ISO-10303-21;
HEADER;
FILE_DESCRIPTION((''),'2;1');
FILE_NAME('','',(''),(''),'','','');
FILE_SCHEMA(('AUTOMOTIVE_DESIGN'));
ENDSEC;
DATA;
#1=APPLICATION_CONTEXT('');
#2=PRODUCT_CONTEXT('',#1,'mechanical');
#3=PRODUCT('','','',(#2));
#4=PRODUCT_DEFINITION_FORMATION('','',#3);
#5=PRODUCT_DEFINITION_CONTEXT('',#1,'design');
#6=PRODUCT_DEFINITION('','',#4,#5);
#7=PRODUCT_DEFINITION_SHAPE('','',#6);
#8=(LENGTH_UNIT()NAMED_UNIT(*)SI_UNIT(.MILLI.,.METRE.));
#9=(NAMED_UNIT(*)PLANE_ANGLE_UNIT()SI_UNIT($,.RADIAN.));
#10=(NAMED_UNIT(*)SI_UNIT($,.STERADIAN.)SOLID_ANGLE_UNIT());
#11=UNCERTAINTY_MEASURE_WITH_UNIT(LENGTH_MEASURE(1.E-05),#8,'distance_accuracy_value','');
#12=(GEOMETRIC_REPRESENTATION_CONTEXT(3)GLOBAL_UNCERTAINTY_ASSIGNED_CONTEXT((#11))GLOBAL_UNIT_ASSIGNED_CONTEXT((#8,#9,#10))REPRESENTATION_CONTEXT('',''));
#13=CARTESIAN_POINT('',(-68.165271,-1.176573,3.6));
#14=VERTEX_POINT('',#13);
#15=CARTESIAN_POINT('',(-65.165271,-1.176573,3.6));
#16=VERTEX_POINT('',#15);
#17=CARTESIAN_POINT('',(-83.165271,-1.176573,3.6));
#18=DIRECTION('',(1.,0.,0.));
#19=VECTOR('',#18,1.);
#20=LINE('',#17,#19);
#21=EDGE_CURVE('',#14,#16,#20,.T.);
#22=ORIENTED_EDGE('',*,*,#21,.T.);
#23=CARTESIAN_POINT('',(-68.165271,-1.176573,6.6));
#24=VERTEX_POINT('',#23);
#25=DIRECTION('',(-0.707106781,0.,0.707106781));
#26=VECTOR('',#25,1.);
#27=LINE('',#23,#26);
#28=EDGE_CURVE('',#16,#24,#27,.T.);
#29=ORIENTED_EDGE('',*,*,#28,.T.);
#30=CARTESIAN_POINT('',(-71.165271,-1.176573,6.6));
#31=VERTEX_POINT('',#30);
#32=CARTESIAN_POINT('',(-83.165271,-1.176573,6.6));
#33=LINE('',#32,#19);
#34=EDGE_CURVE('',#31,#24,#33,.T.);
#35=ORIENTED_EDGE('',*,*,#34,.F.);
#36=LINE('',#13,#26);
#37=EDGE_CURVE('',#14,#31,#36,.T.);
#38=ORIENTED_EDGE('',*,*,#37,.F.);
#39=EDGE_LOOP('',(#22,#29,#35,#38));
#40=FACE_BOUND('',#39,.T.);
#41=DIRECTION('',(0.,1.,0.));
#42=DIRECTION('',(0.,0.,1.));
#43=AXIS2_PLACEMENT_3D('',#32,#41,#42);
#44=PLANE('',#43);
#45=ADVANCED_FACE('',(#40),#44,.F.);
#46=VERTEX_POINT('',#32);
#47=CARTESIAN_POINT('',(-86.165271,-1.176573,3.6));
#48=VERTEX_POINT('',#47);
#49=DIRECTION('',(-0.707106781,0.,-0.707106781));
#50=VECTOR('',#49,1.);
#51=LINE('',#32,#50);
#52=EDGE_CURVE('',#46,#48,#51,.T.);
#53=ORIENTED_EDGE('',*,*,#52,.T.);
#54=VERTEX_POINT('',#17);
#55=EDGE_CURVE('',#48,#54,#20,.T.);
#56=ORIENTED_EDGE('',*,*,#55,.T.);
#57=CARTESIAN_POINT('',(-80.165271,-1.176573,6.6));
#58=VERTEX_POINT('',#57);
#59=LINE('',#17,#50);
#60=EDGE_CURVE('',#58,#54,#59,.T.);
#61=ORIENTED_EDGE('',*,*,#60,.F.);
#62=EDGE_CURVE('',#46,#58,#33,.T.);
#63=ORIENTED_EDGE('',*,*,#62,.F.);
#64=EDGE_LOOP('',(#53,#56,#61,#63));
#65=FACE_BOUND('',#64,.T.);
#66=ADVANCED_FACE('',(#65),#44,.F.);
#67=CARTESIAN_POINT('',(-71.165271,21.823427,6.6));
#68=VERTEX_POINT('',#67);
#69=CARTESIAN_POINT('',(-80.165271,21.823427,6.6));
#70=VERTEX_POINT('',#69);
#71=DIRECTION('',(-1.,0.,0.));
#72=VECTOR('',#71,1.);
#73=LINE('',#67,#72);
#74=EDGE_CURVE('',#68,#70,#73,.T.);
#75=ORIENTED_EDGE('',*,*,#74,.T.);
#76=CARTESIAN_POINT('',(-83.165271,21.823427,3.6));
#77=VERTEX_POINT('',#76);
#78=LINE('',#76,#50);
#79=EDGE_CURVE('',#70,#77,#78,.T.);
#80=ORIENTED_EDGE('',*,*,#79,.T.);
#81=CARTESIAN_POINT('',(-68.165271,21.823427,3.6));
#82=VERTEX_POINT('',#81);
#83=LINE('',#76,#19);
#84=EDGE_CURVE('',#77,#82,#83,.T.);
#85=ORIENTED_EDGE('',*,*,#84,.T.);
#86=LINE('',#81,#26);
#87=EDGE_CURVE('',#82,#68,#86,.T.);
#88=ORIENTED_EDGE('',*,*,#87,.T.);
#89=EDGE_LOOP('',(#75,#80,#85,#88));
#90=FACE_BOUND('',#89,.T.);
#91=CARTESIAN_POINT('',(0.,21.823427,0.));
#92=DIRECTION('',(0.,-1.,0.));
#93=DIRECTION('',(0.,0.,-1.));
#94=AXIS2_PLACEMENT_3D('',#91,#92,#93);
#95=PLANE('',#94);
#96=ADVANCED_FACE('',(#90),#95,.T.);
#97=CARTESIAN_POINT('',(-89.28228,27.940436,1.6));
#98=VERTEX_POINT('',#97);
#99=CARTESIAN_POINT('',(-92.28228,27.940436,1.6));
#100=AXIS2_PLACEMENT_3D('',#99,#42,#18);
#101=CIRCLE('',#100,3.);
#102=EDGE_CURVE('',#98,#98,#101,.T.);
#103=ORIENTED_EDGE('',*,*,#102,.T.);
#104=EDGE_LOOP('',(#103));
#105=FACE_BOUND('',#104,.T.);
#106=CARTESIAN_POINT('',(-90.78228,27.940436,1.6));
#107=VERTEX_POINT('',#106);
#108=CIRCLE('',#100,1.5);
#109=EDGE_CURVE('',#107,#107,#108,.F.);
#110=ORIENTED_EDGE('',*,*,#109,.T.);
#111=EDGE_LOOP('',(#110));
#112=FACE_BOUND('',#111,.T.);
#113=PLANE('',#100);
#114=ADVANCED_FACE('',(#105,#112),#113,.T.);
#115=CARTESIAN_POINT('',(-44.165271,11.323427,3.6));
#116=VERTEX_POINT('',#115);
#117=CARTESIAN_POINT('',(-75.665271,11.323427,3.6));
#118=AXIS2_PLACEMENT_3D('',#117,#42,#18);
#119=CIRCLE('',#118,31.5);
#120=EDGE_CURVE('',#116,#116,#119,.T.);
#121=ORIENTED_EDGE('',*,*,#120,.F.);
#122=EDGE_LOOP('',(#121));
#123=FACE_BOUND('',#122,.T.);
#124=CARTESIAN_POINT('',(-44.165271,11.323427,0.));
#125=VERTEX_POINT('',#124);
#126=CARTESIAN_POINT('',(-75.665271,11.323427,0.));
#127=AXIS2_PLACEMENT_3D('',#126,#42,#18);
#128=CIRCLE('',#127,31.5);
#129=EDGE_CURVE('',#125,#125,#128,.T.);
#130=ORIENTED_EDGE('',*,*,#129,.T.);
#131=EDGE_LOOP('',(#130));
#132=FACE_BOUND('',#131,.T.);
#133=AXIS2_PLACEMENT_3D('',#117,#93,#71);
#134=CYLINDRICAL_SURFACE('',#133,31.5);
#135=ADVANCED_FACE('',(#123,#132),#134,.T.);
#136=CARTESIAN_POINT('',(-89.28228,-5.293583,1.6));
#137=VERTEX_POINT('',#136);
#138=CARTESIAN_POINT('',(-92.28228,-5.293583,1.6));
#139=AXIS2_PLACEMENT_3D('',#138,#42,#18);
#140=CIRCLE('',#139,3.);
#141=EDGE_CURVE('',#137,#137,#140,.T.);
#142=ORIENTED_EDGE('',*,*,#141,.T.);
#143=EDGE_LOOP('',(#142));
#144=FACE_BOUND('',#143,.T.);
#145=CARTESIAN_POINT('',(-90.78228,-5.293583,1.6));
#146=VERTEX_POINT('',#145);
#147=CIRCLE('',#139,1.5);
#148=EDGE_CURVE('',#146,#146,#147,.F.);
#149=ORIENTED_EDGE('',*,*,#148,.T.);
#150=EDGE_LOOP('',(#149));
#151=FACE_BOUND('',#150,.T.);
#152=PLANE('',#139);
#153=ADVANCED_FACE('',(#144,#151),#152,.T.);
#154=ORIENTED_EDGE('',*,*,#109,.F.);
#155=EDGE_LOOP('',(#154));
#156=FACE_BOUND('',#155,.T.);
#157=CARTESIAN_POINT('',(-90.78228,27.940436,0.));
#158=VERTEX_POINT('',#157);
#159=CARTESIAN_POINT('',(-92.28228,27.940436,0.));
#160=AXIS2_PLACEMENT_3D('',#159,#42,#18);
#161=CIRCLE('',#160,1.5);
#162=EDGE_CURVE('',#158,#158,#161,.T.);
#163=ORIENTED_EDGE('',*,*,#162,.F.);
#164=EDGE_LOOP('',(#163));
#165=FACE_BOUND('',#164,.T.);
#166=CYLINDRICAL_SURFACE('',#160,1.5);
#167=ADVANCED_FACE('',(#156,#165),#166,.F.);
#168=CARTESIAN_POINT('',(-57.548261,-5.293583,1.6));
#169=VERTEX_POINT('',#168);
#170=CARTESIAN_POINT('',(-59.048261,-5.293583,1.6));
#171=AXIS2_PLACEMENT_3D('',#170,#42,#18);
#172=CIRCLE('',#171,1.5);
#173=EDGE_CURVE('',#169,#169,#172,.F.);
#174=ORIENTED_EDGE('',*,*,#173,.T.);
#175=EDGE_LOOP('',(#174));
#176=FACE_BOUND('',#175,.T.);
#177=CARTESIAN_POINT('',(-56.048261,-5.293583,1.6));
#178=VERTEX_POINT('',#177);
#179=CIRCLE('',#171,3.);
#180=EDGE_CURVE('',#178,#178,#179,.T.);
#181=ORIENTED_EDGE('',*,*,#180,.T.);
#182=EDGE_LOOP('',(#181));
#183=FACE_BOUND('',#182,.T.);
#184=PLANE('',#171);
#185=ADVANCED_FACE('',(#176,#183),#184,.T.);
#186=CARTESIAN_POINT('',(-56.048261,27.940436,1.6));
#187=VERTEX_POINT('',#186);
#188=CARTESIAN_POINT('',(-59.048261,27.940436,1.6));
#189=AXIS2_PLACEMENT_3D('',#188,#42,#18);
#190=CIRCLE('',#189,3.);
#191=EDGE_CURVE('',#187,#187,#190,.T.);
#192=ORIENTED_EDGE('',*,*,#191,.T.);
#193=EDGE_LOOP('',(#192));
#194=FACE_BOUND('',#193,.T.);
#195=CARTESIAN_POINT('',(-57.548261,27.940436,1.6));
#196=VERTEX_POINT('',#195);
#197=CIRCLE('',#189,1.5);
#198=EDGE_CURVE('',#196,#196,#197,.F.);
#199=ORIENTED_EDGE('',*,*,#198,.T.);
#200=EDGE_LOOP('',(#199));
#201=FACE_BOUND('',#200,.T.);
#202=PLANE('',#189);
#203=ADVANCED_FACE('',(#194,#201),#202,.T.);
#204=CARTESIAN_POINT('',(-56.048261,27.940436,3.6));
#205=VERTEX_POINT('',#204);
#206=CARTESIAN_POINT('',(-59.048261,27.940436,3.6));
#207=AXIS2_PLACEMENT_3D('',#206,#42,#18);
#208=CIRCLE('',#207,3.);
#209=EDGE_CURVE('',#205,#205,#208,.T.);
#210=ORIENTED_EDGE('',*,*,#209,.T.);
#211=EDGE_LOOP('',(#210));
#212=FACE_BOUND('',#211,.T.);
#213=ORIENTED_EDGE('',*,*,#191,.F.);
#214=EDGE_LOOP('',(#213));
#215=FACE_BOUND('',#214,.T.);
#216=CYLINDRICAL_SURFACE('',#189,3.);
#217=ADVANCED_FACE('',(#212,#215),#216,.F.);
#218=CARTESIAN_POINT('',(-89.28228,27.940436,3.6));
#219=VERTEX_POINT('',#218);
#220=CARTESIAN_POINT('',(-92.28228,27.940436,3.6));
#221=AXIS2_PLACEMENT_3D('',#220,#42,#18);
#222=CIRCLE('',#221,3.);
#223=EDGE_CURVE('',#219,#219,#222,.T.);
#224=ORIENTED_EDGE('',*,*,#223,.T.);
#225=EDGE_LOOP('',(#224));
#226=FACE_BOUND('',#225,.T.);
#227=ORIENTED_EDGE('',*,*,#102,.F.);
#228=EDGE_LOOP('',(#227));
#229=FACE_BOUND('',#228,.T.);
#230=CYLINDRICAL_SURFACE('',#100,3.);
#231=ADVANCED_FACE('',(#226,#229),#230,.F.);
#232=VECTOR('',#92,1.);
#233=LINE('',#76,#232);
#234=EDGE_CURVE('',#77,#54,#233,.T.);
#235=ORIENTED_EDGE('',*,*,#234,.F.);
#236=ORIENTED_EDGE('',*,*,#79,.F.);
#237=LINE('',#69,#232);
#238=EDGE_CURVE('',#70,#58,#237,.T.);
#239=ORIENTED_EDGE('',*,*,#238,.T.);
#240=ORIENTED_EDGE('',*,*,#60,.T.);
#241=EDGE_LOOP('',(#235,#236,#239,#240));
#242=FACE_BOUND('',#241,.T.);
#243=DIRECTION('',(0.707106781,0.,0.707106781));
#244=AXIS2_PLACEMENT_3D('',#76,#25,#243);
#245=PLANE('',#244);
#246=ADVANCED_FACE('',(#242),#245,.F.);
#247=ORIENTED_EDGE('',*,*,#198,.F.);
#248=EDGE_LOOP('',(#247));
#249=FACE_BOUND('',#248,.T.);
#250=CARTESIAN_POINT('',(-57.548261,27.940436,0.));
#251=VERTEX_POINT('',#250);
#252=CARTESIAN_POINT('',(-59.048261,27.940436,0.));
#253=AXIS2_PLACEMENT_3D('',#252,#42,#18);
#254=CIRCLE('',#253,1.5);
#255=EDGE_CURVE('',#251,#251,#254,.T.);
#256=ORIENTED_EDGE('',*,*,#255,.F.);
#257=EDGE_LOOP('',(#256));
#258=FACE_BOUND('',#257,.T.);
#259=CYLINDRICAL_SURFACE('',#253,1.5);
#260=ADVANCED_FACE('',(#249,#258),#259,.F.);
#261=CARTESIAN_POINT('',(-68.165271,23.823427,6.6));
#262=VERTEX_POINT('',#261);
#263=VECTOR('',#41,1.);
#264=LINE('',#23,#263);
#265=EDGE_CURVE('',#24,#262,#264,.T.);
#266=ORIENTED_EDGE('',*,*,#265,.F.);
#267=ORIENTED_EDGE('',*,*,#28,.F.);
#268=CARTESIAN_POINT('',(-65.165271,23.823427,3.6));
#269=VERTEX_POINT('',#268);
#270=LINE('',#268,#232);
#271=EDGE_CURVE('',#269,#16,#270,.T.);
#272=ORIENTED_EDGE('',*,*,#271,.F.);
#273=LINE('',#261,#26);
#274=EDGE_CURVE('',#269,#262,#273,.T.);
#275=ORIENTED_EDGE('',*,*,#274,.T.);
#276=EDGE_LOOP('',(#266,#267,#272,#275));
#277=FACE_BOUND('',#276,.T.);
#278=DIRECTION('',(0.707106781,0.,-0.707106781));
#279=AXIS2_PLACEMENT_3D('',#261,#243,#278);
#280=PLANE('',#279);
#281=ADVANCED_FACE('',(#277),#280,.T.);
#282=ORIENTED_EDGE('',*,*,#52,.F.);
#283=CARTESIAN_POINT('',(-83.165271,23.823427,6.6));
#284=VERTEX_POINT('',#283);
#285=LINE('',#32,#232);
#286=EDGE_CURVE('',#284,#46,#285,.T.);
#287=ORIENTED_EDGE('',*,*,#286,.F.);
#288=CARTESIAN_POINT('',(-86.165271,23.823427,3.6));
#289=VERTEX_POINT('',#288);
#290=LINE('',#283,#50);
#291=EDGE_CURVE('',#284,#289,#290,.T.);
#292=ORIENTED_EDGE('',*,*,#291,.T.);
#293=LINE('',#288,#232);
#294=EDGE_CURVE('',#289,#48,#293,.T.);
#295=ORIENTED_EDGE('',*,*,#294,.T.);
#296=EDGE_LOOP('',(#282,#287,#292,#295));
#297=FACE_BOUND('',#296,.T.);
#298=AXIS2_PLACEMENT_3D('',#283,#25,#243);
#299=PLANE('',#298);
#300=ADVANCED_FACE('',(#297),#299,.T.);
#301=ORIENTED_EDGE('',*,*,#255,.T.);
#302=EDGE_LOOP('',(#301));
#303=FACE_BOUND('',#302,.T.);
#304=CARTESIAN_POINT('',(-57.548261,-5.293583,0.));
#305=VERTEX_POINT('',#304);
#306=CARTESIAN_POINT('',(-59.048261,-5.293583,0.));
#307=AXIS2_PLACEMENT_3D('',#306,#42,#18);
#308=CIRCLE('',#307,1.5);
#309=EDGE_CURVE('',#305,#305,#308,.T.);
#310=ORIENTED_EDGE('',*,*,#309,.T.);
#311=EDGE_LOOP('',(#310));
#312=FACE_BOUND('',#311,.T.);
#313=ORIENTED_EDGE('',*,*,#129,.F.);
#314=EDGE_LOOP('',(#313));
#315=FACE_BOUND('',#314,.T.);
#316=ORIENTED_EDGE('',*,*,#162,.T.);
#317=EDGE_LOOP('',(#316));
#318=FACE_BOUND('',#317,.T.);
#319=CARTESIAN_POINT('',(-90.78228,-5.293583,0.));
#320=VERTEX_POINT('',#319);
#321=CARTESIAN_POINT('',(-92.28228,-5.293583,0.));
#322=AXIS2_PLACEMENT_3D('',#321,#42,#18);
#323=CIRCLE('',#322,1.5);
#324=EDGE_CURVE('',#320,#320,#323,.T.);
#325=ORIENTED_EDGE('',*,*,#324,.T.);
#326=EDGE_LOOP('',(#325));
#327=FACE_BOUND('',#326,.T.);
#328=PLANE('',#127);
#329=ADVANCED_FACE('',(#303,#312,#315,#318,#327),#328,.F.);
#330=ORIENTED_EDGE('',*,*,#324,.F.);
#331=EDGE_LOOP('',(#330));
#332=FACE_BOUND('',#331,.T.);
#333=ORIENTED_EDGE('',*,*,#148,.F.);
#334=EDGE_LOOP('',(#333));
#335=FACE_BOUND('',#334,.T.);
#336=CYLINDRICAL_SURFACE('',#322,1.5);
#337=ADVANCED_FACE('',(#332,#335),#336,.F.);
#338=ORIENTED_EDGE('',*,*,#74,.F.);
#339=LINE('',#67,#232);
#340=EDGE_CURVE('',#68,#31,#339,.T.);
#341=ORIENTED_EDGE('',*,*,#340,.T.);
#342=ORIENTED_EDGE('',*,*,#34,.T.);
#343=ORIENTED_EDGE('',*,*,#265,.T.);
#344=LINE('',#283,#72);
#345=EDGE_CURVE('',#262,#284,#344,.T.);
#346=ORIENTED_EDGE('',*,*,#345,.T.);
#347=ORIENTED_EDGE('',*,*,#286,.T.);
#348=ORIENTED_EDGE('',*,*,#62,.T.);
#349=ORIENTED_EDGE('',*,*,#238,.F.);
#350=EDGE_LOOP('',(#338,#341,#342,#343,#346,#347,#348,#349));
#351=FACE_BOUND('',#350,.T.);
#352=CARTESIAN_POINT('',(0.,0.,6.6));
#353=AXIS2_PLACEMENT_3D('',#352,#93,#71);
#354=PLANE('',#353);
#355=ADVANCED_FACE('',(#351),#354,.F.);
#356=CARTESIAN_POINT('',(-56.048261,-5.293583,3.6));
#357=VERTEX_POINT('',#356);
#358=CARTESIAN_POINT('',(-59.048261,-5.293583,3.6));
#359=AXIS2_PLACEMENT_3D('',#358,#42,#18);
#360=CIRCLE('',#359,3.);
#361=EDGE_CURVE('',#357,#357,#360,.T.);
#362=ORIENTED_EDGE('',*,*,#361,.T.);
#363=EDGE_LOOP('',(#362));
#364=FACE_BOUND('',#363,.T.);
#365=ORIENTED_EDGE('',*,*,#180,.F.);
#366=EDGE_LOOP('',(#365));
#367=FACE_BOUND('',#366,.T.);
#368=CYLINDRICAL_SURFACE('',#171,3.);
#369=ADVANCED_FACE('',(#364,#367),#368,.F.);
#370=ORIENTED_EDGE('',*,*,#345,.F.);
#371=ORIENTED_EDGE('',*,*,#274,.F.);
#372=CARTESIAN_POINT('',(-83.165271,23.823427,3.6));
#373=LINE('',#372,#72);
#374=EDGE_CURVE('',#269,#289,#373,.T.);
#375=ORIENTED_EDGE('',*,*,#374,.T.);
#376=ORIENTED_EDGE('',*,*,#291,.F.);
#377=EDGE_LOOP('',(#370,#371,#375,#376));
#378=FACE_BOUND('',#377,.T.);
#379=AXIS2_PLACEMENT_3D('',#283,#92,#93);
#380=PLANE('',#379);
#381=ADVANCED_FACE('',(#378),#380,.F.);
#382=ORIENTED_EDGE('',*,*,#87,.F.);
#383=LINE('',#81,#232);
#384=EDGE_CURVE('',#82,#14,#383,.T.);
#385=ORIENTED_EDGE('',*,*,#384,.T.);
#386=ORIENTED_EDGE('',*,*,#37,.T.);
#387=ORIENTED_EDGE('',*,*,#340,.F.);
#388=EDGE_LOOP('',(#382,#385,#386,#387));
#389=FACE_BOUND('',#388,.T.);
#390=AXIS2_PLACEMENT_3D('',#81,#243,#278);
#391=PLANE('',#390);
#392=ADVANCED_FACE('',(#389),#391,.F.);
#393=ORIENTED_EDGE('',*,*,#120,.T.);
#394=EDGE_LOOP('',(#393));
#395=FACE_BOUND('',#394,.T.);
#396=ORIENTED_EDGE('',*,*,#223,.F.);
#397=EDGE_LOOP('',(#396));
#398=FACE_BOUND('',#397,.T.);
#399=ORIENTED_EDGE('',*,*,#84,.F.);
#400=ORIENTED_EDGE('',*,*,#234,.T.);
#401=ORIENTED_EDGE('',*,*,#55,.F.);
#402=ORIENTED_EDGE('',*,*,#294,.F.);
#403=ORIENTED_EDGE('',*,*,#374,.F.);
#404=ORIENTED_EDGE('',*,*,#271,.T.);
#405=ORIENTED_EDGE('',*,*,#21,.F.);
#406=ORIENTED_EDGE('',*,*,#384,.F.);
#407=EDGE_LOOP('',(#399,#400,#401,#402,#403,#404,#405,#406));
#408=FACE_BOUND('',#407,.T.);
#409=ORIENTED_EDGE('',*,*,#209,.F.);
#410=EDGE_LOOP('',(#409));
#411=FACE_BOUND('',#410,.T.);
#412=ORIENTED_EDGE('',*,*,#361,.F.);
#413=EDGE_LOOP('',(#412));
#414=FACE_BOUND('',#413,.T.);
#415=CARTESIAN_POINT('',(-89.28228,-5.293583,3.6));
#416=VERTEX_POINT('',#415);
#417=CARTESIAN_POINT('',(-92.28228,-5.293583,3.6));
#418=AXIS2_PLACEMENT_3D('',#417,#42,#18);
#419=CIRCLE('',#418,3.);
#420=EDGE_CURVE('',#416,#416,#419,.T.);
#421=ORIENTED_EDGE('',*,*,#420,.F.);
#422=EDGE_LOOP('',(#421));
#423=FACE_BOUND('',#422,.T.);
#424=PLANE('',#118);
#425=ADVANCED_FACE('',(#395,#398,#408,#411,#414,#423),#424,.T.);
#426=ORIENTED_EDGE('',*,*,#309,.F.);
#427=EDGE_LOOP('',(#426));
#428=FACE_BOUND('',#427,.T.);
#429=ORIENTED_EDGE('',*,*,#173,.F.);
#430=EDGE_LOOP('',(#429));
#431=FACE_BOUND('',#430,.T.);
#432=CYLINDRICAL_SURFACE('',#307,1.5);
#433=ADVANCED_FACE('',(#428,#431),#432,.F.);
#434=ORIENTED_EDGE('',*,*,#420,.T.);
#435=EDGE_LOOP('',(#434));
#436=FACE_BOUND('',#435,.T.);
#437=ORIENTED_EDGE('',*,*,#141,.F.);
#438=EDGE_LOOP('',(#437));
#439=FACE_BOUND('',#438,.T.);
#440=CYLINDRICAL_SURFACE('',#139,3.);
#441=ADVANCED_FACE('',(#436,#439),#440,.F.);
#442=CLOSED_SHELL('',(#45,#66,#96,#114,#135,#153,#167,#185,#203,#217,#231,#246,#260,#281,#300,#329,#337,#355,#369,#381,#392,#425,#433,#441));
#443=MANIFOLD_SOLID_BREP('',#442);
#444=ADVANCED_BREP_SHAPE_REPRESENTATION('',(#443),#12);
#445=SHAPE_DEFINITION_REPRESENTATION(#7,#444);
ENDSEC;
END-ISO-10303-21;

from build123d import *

# Parameters (mm, degrees)
CROQUIS1_R              = 31.5
SALIENTE_EXTRUIR1_DEPTH = 3.6
CROQUIS2_R              = 1.5
CORTAR_EXTRUIR1_DEPTH   = 3.6
CROQUIS3_R              = 3
CORTAR_EXTRUIR2_DEPTH   = 2
CROQUIS4_W              = 15
CROQUIS4_H              = 25
SALIENTE_EXTRUIR2_DEPTH = 3
SALIENTE_EXTRUIR4_DEPTH = 25
CORTAR_EXTRUIR6_DEPTH   = 23


with BuildPart() as part:
    # Croquis1 → Saliente-Extruir1 (new body)
    with BuildSketch(Plane.XY):
        with Locations((-75.665270593, 11.323426573)):
            Circle(CROQUIS1_R)
    extrude(amount=SALIENTE_EXTRUIR1_DEPTH)

    # Croquis2 → Cortar-Extruir1 (cut)
    with BuildSketch(Plane.XY.offset(3.6)):
        with Locations((-92.282279951, 27.940435931)):
            Circle(CROQUIS2_R)
        with Locations((-59.048261236, 27.940435931)):
            Circle(CROQUIS2_R)
        with Locations((-59.048261236, -5.293582784)):
            Circle(CROQUIS2_R)
        with Locations((-92.282279951, -5.293582784)):
            Circle(CROQUIS2_R)
    extrude(amount=-CORTAR_EXTRUIR1_DEPTH, mode=Mode.SUBTRACT)

    # Croquis3 → Cortar-Extruir2 (cut)
    with BuildSketch(Plane.XY.offset(3.6)):
        with Locations((-92.282279951, 27.940435931)):
            Circle(CROQUIS3_R)
        with Locations((-59.048261236, 27.940435931)):
            Circle(CROQUIS3_R)
        with Locations((-59.048261236, -5.293582784)):
            Circle(CROQUIS3_R)
        with Locations((-92.282279951, -5.293582784)):
            Circle(CROQUIS3_R)
    extrude(amount=-CORTAR_EXTRUIR2_DEPTH, mode=Mode.SUBTRACT)

    # Croquis4 → Saliente-Extruir2 (add)
    with BuildSketch(Plane.XY.offset(3.6)):
        with Locations((-75.665270593, 11.323426573)):
            Rectangle(CROQUIS4_W, CROQUIS4_H)
    extrude(amount=SALIENTE_EXTRUIR2_DEPTH)

    # Croquis7 → Saliente-Extruir4 (add)
    with BuildSketch(Plane.XZ.offset(1.176573427)):
        Polygon((-83.165270593, 6.6), (-86.165270593, 3.6), (-83.165270593, 3.6), align=None)
        Polygon((-68.165270593, 6.6), (-65.165270593, 3.6), (-68.165270593, 3.6), align=None)
    extrude(amount=-SALIENTE_EXTRUIR4_DEPTH)

    # Croquis8 → Cortar-Extruir6 (cut)
    with BuildSketch(Plane.XZ.offset(1.176573427)):
        Polygon((-83.165270593, 3.6), (-80.165270593, 6.6), (-71.165270593, 6.6), (-68.165270593, 3.6), align=None)
    extrude(amount=-CORTAR_EXTRUIR6_DEPTH, mode=Mode.SUBTRACT)


solid = part.part
